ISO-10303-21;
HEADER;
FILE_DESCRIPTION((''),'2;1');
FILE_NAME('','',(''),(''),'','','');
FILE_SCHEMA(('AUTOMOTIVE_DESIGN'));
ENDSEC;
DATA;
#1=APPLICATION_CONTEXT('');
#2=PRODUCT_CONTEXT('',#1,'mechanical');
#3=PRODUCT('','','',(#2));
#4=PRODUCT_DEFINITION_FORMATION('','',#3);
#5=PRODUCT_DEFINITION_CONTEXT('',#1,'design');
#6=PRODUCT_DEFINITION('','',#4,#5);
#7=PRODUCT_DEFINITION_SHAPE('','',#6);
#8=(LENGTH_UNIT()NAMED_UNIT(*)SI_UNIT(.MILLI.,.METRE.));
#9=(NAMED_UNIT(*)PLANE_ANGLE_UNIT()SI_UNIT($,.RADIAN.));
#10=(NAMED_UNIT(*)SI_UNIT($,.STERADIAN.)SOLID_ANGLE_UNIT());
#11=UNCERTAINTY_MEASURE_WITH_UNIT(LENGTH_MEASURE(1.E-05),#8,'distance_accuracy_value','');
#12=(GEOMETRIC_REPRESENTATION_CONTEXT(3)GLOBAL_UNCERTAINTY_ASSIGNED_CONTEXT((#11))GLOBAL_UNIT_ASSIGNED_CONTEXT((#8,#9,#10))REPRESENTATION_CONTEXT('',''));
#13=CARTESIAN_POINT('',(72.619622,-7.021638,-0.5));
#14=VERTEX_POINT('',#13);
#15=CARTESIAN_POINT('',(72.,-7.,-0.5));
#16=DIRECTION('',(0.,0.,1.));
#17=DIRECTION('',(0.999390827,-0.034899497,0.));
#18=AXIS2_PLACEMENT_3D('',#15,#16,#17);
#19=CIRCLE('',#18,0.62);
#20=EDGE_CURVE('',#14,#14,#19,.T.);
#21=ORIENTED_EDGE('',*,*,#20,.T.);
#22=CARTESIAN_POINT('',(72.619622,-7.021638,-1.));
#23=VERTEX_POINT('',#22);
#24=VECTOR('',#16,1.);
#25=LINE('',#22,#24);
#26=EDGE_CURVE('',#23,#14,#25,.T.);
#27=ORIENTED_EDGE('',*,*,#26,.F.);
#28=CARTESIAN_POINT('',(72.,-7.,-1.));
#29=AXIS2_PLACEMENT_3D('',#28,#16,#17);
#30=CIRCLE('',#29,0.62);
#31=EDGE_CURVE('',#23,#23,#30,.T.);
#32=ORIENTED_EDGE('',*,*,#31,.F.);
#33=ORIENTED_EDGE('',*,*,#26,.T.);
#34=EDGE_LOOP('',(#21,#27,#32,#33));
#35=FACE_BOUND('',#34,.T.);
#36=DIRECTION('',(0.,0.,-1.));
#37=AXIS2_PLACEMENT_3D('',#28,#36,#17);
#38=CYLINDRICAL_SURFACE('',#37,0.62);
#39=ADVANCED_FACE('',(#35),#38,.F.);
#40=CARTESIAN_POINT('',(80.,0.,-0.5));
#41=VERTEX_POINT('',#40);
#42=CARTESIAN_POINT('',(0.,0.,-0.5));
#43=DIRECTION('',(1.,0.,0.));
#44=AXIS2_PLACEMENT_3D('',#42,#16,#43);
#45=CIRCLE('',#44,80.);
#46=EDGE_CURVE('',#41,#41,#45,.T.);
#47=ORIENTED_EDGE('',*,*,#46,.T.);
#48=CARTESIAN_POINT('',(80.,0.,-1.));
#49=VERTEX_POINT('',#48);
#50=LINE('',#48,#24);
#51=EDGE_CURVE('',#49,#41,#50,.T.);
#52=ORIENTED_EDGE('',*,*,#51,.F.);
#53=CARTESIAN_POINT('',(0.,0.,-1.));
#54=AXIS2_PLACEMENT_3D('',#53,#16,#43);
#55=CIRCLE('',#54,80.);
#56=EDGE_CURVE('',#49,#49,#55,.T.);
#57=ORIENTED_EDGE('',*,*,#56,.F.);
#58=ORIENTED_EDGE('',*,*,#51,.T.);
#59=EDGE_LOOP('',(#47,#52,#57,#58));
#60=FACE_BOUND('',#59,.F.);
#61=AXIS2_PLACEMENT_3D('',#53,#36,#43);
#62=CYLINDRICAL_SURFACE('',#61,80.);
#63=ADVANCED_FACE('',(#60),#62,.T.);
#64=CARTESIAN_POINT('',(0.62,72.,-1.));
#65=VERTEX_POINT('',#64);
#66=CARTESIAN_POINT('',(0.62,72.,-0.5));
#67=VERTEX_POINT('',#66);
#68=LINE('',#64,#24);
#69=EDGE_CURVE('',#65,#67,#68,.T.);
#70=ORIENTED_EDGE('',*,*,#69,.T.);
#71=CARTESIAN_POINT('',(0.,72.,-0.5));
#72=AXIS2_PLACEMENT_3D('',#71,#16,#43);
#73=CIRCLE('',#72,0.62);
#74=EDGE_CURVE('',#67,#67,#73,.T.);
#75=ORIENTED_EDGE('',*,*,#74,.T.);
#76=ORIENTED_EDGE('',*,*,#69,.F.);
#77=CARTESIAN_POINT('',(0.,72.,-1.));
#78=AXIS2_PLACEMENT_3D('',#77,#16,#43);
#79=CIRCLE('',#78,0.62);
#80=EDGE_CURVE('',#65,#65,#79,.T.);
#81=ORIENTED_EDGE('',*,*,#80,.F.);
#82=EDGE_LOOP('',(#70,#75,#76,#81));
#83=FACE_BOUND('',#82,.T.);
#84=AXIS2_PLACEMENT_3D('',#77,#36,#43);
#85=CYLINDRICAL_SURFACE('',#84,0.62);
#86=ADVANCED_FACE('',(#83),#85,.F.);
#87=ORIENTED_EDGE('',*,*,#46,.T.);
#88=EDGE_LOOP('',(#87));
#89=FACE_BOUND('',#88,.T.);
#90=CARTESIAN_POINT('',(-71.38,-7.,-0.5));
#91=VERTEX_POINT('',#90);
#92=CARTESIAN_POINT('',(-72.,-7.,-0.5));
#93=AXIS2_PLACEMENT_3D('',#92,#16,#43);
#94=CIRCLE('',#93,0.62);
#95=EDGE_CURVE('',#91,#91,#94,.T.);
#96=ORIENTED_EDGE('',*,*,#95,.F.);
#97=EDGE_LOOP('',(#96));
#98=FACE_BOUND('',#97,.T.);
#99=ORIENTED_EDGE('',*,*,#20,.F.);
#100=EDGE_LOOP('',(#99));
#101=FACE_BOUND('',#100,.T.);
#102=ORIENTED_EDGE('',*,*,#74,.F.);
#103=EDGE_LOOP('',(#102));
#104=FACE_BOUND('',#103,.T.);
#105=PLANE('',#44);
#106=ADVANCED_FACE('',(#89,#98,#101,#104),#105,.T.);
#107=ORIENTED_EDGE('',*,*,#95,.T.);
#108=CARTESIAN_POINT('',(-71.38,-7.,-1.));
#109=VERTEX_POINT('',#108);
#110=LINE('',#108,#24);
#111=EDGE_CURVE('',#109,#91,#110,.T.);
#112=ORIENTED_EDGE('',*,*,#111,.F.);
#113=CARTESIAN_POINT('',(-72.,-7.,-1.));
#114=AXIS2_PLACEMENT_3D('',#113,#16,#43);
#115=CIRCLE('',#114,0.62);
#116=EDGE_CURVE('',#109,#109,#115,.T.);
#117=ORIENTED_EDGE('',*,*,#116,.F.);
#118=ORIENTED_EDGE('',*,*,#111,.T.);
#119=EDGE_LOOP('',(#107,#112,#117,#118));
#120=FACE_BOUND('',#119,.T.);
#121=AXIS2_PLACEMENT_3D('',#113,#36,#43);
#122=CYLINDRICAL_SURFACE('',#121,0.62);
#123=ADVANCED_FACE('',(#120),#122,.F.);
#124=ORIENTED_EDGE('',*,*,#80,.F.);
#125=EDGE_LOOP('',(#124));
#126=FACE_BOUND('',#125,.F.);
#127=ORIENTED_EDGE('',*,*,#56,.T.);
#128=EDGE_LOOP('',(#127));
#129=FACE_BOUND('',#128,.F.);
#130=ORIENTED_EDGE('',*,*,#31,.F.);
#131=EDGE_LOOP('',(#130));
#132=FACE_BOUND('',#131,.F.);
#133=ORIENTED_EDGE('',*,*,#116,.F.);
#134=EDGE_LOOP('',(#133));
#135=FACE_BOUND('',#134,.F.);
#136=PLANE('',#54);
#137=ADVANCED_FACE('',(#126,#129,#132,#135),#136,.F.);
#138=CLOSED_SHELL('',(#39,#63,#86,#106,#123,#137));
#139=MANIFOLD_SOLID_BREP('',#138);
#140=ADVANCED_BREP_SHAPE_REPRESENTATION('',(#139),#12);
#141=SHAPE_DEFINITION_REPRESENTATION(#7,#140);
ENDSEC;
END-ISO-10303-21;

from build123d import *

# Parameters (mm, degrees)
CYLINDER003_R               = 0.62
CYLINDER003_DEPTH           = 0.5
CYLINDER002_R               = 0.62
CYLINDER002_DEPTH           = 0.5
CYLINDER001_R               = 0.62
CYLINDER001_DEPTH           = 0.5
CYLINDER001_PLACEMENT_ANGLE = -2
CYLINDER_R                  = 80
CYLINDER_DEPTH              = 0.5


with BuildPart() as cilindro003:
    # Cylinder003 → Cylinder003 (new body)
    with BuildSketch(Plane(origin=(0, 72, 0), x_dir=(1, 0, 0), z_dir=(0, 0, 1))):
        Circle(CYLINDER003_R)
    extrude(amount=CYLINDER003_DEPTH)


with BuildPart() as cilindro002:
    # Cylinder002 → Cylinder002 (new body)
    with BuildSketch(Plane(origin=(-72, -7, 0), x_dir=(1, 0, 0), z_dir=(0, 0, 1))):
        Circle(CYLINDER002_R)
    extrude(amount=CYLINDER002_DEPTH)


with BuildPart() as cilindro001:
    # Cylinder001 → Cylinder001 (new body)
    with BuildSketch(Plane.XY):
        Circle(CYLINDER001_R)
    extrude(amount=CYLINDER001_DEPTH)


with BuildPart() as cilindro001_1:
    # Cylinder001 placement: moved
    add(cilindro001.part.moved(Location((72, -7, 0))).rotate(Axis((72, -7, 0), (0, 0, 1)), CYLINDER001_PLACEMENT_ANGLE))


with BuildPart() as cut002:
    # Cylinder → Cylinder (new body)
    with BuildSketch(Plane.XY):
        Circle(CYLINDER_R)
    extrude(amount=CYLINDER_DEPTH)

    # Cut: cut Cilindro001
    add(cilindro001_1.part, mode=Mode.SUBTRACT)

    # Cut001: cut Cilindro002
    add(cilindro002.part, mode=Mode.SUBTRACT)

    # Cut002: cut Cilindro003
    add(cilindro003.part, mode=Mode.SUBTRACT)


with BuildPart() as cut002_1:
    # Cut002 placement: moved
    add(cut002.part.moved(Location((0, 0, -1))))


solid = cut002_1.part
